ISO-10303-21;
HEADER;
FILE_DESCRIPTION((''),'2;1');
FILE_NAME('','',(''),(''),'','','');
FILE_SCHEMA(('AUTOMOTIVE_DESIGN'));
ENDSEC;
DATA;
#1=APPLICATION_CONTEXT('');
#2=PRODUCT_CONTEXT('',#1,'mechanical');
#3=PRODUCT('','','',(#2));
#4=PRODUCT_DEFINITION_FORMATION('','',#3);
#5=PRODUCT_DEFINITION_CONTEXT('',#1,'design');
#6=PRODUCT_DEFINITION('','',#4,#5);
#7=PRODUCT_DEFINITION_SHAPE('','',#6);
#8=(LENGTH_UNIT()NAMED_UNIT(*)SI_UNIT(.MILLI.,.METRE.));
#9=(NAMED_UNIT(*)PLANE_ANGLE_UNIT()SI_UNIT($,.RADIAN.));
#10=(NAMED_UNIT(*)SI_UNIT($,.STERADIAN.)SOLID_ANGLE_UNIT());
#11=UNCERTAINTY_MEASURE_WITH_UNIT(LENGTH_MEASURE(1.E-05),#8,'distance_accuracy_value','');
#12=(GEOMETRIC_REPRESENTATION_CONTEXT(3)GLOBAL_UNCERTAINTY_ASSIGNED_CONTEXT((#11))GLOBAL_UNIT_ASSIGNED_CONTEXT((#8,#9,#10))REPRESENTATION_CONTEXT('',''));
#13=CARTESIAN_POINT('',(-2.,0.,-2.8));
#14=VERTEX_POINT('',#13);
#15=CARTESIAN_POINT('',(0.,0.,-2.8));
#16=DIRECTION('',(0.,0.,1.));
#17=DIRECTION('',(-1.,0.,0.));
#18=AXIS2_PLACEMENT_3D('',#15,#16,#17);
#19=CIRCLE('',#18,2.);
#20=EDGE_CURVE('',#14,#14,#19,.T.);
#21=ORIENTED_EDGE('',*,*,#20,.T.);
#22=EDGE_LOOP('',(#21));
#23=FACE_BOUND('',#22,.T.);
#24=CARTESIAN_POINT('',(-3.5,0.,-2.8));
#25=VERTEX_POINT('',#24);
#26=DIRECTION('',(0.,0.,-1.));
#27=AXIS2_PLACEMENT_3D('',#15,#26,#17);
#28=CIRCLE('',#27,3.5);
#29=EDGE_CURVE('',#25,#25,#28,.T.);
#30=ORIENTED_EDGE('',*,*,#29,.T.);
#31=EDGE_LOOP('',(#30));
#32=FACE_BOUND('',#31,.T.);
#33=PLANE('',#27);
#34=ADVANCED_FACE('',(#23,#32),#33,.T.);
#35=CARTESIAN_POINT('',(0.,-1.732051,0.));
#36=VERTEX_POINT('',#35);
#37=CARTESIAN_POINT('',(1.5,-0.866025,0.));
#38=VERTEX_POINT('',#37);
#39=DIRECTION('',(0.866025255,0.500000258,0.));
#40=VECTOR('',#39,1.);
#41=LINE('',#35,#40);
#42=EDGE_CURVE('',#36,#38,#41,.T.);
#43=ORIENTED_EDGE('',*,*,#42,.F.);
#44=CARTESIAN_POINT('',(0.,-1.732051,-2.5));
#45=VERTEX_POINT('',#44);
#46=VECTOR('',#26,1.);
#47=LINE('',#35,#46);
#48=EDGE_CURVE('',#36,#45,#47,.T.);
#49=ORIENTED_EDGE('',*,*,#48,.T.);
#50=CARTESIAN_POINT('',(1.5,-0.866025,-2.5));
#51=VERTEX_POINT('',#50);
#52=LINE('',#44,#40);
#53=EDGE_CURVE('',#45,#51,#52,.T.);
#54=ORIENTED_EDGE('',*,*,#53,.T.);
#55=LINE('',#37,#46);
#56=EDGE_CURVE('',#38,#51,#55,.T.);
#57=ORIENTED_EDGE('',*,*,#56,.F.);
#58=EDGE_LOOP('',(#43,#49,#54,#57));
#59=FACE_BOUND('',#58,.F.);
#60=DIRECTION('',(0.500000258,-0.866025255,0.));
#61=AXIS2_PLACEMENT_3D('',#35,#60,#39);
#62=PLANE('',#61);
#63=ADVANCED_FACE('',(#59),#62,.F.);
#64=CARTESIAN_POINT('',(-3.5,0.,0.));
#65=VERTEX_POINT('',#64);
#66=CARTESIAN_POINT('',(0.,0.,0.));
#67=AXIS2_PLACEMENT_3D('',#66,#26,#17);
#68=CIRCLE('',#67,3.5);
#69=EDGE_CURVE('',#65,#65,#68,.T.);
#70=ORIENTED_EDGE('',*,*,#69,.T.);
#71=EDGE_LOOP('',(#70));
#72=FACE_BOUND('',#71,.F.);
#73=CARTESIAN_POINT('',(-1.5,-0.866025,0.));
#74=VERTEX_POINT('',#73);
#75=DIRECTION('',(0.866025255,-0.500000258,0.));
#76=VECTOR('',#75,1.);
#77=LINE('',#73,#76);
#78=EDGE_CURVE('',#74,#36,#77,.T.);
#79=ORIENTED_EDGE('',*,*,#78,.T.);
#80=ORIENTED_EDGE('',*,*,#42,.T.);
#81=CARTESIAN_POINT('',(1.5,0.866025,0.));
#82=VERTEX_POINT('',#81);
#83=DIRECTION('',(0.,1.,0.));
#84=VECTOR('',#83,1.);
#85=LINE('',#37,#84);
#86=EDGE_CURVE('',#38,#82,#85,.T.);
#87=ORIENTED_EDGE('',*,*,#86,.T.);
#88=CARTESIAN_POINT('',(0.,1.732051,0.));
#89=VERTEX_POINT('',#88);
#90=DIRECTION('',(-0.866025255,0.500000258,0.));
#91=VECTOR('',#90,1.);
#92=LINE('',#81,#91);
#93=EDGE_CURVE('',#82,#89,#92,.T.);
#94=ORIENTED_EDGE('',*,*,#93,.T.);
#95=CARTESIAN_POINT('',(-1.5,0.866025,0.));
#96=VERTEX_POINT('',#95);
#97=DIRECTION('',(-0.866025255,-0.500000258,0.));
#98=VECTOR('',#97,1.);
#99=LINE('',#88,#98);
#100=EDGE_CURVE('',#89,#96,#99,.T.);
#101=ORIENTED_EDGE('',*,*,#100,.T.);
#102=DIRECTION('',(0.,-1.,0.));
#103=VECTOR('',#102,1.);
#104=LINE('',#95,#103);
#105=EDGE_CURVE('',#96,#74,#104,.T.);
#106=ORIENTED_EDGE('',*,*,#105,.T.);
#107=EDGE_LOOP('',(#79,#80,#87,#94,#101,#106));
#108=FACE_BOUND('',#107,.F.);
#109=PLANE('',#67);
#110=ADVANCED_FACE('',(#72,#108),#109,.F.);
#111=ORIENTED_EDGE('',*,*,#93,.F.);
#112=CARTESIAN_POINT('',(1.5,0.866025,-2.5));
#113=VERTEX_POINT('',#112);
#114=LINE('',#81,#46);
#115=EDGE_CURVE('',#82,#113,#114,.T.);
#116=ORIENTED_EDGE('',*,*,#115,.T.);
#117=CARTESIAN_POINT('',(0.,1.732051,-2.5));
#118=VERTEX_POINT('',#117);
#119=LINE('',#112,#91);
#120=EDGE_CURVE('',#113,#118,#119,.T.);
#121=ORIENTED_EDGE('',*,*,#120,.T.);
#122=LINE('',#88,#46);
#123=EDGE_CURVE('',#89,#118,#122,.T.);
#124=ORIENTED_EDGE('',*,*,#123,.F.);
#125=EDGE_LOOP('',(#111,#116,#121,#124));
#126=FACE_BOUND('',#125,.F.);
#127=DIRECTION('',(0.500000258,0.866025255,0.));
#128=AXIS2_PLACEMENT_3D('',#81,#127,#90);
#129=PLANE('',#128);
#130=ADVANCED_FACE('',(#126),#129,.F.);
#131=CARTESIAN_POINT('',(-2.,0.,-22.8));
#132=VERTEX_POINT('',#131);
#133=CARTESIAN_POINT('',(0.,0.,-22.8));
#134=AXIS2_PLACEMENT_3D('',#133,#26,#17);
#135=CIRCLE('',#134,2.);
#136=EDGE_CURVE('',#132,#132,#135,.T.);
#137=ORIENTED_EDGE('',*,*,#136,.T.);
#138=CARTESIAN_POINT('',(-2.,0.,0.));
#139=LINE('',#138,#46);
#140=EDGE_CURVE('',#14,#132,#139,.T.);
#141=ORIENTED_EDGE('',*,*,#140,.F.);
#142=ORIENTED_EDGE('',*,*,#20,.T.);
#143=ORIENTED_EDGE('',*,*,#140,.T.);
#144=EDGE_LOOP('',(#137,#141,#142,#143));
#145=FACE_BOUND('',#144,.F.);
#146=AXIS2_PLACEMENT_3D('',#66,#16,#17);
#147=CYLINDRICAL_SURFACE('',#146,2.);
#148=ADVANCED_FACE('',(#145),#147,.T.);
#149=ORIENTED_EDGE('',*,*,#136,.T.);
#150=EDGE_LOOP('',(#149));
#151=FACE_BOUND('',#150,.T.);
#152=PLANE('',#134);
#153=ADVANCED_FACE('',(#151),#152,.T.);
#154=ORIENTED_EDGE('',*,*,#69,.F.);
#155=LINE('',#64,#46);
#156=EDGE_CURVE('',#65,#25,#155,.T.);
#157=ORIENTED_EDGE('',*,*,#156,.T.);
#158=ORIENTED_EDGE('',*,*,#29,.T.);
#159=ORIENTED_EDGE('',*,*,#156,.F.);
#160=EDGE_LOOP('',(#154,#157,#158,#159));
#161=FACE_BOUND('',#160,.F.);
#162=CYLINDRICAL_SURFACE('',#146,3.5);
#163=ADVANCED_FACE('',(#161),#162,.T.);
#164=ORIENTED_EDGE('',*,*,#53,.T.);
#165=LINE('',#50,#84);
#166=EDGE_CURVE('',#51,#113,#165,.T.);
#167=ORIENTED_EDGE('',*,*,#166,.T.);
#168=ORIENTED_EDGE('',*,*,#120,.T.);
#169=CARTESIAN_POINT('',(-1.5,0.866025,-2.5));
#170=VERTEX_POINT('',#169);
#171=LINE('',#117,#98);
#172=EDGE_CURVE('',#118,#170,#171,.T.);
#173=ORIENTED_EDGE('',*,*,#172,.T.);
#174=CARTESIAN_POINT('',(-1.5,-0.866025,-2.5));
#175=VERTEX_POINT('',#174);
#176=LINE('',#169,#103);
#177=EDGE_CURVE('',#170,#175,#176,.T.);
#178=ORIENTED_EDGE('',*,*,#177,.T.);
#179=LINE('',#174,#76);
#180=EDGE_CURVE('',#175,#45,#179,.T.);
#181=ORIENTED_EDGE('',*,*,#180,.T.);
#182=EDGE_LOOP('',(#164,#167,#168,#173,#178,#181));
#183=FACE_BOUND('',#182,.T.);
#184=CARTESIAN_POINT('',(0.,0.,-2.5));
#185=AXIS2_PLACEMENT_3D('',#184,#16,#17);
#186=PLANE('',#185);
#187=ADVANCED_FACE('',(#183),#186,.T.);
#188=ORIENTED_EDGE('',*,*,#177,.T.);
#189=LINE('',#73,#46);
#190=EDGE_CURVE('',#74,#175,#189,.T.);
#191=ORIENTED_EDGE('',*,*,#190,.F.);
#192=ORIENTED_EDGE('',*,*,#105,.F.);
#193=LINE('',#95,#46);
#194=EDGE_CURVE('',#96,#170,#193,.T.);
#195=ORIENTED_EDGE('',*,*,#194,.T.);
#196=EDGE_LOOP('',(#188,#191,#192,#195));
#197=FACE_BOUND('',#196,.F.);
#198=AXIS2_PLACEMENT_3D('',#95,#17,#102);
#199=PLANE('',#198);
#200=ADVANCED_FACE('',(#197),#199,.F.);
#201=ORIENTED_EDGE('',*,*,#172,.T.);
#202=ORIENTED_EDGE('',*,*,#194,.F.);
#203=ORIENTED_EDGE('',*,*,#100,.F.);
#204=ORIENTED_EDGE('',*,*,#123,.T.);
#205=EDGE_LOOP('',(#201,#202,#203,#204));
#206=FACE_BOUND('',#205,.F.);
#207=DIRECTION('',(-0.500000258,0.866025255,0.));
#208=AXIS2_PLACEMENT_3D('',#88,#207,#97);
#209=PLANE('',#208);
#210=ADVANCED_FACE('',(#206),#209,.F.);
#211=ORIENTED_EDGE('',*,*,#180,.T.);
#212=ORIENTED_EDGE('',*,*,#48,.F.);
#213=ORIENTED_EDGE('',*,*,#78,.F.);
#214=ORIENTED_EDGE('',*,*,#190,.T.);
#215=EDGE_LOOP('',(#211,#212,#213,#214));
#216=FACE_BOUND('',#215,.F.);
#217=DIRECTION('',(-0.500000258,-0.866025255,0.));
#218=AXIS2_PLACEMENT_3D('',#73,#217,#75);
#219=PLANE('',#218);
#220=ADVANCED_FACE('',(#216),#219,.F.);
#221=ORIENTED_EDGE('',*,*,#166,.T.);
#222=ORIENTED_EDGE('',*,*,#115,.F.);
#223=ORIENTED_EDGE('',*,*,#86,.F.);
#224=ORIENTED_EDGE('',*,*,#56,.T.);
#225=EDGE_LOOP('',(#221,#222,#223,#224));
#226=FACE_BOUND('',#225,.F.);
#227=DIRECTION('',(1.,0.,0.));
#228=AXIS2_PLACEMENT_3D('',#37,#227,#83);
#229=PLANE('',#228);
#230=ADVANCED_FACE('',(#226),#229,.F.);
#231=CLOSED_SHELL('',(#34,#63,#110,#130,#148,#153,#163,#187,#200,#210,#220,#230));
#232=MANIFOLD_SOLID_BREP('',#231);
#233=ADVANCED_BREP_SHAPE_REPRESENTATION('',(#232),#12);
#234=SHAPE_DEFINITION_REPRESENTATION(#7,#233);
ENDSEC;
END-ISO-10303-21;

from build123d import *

# Parameters (mm, degrees)
CYLINDER024_R                      = 2
CYLINDER024_DEPTH                  = 22.8
CYLINDER023_R                      = 3.5
CYLINDER023_DEPTH                  = 2.8
FUSION001018017022_PLACEMENT_ANGLE = 180
POCKET002018004005005_DEPTH        = 2.5


with BuildPart() as cylinder024:
    # Cylinder024 → Cylinder024 (new body)
    with BuildSketch(Plane.XY):
        Circle(CYLINDER024_R)
    extrude(amount=CYLINDER024_DEPTH)


with BuildPart() as zylinderkopfschraube_m4x20_isk:
    # Cylinder023 → Cylinder023 (new body)
    with BuildSketch(Plane.XY):
        Circle(CYLINDER023_R)
    extrude(amount=CYLINDER023_DEPTH)

    # Fusion001018017022: union Cylinder024
    add(cylinder024.part)


with BuildPart() as zylinderkopfschraube_m4x20_isk_1:
    # Fusion001018017022 placement: moved
    add(zylinderkopfschraube_m4x20_isk.part.rotate(Axis((0, 0, 0), (0, 1, 0)), FUSION001018017022_PLACEMENT_ANGLE))

    # Sketch023 → Pocket002018004005005 (cut)
    with BuildSketch(Plane(origin=(0, 0, 0), x_dir=(-1, 0, 0), z_dir=(0, 0, 1))):
        Polygon((1.5, -0.866025), (1.5, 0.866025), (0, 1.732051), (-1.5, 0.866025), (-1.5, -0.866025), (0, -1.732051), align=None)
    extrude(amount=-POCKET002018004005005_DEPTH, mode=Mode.SUBTRACT)


solid = zylinderkopfschraube_m4x20_isk_1.part
